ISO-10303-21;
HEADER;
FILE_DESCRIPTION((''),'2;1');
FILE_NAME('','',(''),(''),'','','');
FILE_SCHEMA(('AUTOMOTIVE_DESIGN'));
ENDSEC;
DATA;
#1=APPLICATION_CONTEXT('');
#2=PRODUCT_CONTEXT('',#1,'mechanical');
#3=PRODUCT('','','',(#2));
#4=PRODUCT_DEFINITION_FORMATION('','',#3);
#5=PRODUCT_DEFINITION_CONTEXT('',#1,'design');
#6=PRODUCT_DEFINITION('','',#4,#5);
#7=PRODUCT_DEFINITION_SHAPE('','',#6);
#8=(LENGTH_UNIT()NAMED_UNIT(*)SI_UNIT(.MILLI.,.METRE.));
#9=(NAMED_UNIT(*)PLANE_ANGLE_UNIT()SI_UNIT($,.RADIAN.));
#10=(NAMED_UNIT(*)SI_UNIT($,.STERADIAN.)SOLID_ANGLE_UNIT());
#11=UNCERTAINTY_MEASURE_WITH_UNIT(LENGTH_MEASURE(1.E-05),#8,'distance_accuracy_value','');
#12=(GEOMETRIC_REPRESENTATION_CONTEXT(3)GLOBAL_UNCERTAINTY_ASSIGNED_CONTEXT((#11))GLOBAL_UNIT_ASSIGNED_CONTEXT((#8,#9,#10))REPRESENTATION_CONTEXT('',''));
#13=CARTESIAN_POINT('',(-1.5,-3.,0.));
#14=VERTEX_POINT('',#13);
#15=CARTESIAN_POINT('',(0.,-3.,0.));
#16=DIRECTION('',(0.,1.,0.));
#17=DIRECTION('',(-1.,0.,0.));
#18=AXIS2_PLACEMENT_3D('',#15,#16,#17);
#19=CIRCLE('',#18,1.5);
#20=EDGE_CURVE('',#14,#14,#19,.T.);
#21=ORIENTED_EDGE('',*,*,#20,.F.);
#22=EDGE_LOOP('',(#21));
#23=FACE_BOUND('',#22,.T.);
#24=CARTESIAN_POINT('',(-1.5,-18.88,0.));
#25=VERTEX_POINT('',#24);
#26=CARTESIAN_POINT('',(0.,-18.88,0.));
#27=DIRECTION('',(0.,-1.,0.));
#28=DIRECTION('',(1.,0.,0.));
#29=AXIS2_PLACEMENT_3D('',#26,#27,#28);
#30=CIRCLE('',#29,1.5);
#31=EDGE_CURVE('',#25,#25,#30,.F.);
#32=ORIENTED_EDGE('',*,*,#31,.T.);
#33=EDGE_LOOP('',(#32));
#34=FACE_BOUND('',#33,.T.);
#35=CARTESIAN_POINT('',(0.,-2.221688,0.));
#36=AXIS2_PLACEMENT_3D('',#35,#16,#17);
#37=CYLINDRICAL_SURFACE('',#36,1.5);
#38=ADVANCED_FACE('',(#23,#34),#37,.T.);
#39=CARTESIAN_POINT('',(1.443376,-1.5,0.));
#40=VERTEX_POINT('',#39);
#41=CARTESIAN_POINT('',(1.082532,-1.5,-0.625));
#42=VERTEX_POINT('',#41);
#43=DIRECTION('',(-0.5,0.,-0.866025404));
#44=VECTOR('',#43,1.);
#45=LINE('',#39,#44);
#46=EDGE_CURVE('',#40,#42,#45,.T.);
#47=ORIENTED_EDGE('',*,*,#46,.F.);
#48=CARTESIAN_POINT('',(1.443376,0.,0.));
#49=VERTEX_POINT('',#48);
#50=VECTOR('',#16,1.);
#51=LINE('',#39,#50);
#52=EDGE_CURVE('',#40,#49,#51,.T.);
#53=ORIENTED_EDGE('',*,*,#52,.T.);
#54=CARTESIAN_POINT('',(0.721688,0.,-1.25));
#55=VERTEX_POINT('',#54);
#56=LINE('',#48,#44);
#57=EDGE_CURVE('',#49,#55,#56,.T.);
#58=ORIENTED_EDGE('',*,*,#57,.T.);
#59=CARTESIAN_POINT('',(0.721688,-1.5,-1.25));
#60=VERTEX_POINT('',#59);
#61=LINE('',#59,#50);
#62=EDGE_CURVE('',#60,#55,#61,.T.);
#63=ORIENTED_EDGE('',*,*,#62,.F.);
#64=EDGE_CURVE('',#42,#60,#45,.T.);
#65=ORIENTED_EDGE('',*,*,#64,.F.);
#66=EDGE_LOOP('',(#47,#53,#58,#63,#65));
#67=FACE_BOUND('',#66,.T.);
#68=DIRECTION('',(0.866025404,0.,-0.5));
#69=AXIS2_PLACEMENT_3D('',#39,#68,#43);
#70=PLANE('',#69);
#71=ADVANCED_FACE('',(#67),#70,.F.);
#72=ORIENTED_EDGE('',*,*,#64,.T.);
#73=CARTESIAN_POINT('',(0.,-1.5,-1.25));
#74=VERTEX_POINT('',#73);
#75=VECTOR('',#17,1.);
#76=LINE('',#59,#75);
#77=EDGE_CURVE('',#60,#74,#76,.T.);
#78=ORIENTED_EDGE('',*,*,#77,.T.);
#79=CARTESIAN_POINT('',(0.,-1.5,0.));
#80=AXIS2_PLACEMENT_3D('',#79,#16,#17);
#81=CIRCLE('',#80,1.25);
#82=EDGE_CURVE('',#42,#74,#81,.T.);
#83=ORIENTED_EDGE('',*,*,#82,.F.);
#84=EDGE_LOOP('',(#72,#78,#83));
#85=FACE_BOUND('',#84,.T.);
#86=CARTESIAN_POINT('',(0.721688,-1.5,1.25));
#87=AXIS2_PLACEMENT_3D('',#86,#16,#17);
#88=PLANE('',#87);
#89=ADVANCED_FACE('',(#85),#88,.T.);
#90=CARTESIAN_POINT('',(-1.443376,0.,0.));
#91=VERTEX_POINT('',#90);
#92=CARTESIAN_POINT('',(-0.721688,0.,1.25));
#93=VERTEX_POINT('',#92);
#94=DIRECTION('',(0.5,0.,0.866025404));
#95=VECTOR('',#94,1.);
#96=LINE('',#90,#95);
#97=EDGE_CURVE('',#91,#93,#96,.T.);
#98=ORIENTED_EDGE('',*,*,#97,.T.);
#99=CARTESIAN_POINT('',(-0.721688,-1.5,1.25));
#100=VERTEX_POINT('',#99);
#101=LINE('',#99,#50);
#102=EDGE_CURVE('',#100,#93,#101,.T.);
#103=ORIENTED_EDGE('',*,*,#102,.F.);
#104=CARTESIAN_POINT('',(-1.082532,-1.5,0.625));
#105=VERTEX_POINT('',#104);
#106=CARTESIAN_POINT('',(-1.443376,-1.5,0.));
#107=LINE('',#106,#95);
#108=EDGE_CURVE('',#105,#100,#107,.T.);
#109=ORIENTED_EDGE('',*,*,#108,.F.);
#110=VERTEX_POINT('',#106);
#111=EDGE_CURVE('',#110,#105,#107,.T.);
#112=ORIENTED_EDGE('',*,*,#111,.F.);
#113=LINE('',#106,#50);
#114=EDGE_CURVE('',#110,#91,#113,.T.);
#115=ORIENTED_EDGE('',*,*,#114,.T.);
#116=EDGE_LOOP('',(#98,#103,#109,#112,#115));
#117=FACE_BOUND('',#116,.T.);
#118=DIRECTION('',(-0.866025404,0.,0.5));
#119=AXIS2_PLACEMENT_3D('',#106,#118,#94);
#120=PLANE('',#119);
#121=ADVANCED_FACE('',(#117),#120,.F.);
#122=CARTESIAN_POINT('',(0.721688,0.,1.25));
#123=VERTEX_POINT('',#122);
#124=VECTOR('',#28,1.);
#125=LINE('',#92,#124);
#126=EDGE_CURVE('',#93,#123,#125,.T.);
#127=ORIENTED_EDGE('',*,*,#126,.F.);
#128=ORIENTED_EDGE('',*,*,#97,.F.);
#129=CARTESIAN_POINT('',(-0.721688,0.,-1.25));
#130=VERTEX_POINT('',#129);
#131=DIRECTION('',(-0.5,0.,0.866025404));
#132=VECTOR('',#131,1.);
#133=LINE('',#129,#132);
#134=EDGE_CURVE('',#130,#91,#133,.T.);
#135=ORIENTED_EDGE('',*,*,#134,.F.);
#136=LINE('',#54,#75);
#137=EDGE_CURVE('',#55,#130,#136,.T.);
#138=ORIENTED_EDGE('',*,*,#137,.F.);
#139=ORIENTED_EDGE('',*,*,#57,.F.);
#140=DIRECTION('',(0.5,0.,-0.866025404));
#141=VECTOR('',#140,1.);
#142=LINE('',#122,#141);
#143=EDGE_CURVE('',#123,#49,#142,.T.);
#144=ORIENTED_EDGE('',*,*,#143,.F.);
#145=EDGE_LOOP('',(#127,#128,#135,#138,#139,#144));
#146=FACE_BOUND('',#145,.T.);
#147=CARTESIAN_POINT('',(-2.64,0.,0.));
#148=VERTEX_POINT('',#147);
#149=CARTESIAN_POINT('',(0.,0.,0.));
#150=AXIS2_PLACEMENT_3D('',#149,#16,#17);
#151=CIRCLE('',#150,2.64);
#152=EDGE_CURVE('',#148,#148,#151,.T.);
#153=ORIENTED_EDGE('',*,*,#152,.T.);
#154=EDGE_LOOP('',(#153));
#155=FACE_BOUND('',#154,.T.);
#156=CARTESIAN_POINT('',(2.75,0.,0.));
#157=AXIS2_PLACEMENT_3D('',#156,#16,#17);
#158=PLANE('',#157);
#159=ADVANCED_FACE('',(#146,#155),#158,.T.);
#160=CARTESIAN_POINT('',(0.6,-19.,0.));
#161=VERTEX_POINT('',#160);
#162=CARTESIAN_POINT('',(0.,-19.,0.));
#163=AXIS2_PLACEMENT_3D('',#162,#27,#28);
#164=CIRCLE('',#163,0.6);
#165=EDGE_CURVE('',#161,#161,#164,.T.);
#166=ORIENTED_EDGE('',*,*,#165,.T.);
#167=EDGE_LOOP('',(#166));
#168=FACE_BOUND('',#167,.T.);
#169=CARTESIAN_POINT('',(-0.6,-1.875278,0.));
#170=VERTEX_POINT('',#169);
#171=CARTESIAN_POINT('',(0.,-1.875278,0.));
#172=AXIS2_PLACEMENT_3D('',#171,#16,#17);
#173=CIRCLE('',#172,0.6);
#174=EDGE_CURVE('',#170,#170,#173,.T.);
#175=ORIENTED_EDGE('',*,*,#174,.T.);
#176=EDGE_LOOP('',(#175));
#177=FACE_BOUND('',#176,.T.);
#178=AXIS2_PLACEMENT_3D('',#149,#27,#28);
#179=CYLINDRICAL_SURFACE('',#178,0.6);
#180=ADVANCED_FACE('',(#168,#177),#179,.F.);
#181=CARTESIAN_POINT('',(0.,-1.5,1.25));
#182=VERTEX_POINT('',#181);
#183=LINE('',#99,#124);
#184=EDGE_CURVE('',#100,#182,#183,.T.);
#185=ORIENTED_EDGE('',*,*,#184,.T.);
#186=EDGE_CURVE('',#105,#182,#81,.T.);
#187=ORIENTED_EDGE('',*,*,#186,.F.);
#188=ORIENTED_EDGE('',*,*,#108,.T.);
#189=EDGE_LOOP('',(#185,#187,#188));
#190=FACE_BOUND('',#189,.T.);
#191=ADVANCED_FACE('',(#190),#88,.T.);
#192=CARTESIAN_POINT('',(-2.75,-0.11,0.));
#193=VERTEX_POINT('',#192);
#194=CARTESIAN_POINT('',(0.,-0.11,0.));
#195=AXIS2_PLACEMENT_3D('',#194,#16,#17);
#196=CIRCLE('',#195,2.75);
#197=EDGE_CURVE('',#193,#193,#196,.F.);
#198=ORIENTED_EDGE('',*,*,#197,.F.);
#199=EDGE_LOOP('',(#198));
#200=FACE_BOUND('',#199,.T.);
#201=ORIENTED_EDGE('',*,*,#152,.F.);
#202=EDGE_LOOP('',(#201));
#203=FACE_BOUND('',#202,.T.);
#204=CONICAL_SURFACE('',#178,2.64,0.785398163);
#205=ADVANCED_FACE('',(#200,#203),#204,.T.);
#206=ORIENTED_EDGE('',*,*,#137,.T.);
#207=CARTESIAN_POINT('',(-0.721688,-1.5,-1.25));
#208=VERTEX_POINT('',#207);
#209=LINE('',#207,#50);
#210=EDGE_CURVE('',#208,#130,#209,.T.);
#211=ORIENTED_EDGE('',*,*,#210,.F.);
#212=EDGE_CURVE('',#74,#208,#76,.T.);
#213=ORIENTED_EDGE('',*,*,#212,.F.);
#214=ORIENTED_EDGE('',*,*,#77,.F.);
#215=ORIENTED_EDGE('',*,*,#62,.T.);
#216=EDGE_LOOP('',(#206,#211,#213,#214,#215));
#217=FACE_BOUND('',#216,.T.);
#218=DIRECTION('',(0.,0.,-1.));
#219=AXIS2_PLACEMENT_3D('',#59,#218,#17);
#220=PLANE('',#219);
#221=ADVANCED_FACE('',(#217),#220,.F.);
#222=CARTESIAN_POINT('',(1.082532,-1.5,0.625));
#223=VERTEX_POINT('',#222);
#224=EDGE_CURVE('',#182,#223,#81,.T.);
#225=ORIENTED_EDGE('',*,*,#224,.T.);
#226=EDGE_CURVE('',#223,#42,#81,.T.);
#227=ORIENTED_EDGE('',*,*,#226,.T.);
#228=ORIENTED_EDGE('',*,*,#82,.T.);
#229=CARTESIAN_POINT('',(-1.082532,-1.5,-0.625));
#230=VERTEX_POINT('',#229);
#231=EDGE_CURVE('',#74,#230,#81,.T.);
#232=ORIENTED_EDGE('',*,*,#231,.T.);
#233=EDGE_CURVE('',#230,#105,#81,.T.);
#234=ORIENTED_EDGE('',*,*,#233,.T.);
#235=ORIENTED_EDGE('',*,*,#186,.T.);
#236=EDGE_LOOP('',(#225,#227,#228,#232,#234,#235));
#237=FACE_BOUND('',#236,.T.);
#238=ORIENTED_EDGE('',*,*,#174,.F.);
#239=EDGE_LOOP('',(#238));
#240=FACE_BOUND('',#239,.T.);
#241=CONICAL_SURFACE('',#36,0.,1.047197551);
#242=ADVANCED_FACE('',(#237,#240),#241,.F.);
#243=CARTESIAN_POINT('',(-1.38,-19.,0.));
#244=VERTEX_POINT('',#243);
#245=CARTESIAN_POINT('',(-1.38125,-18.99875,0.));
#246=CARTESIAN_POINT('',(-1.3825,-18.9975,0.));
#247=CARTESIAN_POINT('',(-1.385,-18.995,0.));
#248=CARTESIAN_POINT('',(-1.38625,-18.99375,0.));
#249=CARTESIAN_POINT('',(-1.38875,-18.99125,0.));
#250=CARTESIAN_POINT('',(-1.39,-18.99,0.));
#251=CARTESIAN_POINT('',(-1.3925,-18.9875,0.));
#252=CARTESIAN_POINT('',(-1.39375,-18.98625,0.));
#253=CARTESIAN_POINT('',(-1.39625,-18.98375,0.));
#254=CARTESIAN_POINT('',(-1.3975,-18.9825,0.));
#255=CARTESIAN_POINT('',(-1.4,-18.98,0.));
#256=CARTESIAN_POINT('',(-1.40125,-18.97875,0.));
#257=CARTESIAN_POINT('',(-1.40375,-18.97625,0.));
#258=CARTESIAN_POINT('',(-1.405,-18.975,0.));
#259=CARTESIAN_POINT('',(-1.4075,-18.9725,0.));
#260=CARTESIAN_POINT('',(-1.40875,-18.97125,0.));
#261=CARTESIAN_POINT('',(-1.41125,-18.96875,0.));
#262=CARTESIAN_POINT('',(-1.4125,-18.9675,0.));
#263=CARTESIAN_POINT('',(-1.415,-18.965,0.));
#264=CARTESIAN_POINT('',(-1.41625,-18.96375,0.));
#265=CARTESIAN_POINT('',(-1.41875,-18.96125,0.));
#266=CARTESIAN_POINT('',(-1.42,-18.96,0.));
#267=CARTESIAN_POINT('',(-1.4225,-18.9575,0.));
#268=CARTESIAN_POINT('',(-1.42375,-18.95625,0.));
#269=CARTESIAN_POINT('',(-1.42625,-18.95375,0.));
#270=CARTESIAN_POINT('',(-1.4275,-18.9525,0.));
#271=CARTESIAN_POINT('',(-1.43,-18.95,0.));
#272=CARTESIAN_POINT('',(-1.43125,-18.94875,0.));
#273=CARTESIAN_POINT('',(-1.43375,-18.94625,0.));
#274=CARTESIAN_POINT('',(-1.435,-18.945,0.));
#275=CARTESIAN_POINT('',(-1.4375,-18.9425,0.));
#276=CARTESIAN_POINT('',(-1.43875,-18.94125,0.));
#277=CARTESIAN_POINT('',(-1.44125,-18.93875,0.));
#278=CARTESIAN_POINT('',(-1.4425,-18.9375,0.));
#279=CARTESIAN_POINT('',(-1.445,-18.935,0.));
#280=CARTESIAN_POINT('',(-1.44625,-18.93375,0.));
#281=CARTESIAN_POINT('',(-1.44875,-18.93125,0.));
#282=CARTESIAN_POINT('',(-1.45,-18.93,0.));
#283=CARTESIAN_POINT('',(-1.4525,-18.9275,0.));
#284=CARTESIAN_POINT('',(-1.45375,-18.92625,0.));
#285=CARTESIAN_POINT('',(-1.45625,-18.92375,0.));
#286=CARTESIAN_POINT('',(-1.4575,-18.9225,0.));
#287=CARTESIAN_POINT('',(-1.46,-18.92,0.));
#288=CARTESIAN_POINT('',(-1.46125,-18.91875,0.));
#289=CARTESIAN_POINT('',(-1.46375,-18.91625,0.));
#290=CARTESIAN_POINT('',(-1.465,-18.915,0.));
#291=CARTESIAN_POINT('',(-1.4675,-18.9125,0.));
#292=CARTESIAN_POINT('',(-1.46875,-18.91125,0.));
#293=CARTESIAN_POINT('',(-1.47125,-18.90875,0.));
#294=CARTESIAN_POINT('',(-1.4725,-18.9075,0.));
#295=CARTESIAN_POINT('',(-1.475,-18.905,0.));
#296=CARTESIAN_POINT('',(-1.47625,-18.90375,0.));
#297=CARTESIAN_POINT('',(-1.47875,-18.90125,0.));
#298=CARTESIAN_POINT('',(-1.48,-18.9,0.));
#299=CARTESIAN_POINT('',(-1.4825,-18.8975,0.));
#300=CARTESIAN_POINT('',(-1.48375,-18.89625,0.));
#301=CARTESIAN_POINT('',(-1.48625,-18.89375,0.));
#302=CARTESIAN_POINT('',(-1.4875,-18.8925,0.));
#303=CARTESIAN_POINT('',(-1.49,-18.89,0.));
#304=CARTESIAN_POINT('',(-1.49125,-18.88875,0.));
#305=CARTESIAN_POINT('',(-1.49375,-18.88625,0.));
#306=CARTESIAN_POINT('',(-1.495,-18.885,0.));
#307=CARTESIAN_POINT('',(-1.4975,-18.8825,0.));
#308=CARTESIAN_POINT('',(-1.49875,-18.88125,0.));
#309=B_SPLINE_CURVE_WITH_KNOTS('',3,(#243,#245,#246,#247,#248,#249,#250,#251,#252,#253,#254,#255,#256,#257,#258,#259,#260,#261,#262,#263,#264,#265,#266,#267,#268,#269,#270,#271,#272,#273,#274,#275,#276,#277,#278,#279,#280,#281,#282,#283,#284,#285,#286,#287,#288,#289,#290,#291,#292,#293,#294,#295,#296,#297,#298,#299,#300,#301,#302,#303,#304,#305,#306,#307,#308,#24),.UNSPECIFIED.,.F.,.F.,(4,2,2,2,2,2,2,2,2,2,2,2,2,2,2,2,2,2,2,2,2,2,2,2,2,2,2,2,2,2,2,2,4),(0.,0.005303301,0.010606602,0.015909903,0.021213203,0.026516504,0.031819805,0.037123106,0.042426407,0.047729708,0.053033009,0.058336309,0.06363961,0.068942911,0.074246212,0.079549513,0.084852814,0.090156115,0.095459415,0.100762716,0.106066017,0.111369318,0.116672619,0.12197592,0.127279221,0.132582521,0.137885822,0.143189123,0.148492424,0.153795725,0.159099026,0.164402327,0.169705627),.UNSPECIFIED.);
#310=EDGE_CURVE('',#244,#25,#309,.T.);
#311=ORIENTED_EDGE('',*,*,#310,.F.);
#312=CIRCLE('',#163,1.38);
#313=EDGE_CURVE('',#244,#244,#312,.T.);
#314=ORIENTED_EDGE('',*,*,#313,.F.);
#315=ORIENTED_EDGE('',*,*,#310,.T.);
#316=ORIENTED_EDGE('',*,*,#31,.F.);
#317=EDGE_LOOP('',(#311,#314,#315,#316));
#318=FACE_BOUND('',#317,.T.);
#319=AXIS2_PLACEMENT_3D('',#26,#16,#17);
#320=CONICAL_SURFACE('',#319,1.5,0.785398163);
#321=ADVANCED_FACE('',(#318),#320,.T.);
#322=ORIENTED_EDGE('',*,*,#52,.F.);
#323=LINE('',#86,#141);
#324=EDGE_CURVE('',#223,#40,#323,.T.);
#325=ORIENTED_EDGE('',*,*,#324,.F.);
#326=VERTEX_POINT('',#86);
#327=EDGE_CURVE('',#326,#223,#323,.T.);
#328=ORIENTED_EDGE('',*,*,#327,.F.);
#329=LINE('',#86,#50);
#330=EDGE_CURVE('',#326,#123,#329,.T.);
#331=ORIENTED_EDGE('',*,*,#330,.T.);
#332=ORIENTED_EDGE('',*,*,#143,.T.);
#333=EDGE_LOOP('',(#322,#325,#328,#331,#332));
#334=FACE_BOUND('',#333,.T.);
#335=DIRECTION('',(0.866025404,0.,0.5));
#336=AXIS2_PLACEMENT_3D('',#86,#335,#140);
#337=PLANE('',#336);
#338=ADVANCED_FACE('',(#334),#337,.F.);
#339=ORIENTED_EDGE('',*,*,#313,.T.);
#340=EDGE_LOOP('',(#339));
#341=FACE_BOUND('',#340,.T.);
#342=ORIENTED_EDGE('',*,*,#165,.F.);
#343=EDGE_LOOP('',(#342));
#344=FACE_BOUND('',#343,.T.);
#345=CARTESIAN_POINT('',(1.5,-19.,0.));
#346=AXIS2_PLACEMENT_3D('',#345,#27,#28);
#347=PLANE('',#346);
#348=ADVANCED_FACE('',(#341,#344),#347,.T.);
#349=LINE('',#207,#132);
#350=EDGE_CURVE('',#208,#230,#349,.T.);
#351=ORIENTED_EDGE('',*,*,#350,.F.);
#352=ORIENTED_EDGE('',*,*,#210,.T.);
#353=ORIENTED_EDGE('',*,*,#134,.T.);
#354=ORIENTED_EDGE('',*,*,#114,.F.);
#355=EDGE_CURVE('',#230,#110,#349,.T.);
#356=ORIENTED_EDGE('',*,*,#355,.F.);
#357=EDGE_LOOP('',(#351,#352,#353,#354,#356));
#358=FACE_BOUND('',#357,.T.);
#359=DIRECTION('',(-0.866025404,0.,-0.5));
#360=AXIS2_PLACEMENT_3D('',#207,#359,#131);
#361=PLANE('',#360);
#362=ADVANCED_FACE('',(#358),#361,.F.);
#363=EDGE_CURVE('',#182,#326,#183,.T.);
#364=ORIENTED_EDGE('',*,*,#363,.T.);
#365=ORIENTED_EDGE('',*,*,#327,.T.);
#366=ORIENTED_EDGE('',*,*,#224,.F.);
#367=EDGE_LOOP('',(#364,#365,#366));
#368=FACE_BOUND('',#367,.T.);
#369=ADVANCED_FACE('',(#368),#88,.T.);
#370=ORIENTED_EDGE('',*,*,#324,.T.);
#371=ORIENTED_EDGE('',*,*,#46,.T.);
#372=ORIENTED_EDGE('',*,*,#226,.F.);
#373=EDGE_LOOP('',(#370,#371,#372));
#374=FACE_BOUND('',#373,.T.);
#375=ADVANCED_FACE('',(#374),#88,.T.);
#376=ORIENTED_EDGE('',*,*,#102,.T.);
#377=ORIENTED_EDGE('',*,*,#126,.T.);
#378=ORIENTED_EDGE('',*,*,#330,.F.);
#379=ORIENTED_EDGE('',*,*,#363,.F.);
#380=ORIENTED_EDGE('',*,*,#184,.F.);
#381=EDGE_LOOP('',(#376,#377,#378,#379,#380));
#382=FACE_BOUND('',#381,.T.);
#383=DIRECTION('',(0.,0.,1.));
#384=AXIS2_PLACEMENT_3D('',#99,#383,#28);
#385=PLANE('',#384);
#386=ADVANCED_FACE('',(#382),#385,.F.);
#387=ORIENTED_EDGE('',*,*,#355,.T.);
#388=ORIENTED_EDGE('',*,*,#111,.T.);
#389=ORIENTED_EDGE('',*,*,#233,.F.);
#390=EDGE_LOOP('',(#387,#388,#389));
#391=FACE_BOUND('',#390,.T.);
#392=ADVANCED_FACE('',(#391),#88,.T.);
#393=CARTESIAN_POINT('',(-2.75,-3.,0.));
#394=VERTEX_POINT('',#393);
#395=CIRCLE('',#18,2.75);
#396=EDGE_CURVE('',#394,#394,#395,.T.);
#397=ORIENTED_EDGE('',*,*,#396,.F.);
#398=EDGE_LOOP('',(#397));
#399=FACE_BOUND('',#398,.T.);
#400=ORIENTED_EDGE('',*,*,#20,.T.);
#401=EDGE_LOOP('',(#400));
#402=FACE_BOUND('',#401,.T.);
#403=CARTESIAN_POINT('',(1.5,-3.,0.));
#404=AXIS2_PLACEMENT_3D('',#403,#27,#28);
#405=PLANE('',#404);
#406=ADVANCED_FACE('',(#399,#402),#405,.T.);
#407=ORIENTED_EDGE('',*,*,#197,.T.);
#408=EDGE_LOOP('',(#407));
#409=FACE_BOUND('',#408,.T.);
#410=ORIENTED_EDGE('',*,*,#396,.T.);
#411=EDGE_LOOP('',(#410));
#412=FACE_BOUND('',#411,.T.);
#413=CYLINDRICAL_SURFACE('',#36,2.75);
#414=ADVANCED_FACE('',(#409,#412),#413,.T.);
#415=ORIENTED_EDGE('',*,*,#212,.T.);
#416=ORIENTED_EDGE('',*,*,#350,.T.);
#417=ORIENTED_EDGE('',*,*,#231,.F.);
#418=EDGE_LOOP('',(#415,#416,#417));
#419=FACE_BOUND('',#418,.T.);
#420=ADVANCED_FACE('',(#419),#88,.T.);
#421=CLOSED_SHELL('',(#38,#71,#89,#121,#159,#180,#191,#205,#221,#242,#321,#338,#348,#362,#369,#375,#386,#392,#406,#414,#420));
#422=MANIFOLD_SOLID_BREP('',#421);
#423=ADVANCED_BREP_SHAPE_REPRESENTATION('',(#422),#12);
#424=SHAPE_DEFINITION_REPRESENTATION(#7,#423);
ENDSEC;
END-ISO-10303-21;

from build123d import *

# Parameters (mm, degrees)
CHAMFER_1_SIZE      = 0.12
CHAMFER_2_SIZE      = 0.11
CUT_EXTRUDE_1_DEPTH = 1.5
CUT_EXTRUDE_2_REACH = 21.394
SKETCH_4_R          = 0.6


with BuildPart() as part:
    # 草图2 → 旋转1 (revolve)
    with BuildSketch(Plane.XY):
        Polygon((-1.25, 0), (-1.25, -1.5), (0, -2.221687836), (0, -19), (-1.5, -19), (-1.5, -3), (-2.75, -3), (-2.75, 0), align=None)
    revolve(axis=Axis((0, -2.221687836, 0), (0, -1, 0)))

    # 倒角1
    chamfer_1_edges = [part.edges().sort_by_distance(p)[0] for p in [
        (1.5, -19, 0),
    ]]
    chamfer(chamfer_1_edges, length=CHAMFER_1_SIZE)

    # 倒角2
    chamfer_2_edges = [part.edges().sort_by_distance(p)[0] for p in [
        (2.75, 0, 0),
    ]]
    chamfer(chamfer_2_edges, length=CHAMFER_2_SIZE)

    # 草图3 → 切除-拉伸1 (cut)
    with BuildSketch(Plane(origin=(0, 0, 0), x_dir=(-1, 0, 0), z_dir=(0, 1, 0))):
        Polygon((-0.721687836, 1.25), (-1.443375673, 0), (-0.721687836, -1.25), (0.721687836, -1.25), (1.443375673, 0), (0.721687836, 1.25), align=None)
    extrude(amount=-CUT_EXTRUDE_1_DEPTH, mode=Mode.SUBTRACT)

    # 切除-拉伸2: up to this cone (the profile starts outside it)
    cut_extrude_2_end = Plane(origin=(0, -19, 0), z_dir=(0, 1, 0)).offset(16.778313164) * Cone(1.732e-06, 8.860631248, 5.115686836, align=(Align.CENTER, Align.CENTER, Align.MIN), mode=Mode.PRIVATE)
    # 草图4 → 切除-拉伸2 (cut, up to the surface)
    with BuildSketch(Plane.XZ.offset(19), mode=Mode.PRIVATE) as cut_extrude_2_sk1:
        Circle(SKETCH_4_R)
    cut_extrude_2_tool1 = extrude(cut_extrude_2_sk1.sketch, amount=-CUT_EXTRUDE_2_REACH, mode=Mode.PRIVATE) - cut_extrude_2_end
    add(cut_extrude_2_tool1.solids().sort_by_distance((0, -19, 0))[0], mode=Mode.SUBTRACT)


solid = part.part
